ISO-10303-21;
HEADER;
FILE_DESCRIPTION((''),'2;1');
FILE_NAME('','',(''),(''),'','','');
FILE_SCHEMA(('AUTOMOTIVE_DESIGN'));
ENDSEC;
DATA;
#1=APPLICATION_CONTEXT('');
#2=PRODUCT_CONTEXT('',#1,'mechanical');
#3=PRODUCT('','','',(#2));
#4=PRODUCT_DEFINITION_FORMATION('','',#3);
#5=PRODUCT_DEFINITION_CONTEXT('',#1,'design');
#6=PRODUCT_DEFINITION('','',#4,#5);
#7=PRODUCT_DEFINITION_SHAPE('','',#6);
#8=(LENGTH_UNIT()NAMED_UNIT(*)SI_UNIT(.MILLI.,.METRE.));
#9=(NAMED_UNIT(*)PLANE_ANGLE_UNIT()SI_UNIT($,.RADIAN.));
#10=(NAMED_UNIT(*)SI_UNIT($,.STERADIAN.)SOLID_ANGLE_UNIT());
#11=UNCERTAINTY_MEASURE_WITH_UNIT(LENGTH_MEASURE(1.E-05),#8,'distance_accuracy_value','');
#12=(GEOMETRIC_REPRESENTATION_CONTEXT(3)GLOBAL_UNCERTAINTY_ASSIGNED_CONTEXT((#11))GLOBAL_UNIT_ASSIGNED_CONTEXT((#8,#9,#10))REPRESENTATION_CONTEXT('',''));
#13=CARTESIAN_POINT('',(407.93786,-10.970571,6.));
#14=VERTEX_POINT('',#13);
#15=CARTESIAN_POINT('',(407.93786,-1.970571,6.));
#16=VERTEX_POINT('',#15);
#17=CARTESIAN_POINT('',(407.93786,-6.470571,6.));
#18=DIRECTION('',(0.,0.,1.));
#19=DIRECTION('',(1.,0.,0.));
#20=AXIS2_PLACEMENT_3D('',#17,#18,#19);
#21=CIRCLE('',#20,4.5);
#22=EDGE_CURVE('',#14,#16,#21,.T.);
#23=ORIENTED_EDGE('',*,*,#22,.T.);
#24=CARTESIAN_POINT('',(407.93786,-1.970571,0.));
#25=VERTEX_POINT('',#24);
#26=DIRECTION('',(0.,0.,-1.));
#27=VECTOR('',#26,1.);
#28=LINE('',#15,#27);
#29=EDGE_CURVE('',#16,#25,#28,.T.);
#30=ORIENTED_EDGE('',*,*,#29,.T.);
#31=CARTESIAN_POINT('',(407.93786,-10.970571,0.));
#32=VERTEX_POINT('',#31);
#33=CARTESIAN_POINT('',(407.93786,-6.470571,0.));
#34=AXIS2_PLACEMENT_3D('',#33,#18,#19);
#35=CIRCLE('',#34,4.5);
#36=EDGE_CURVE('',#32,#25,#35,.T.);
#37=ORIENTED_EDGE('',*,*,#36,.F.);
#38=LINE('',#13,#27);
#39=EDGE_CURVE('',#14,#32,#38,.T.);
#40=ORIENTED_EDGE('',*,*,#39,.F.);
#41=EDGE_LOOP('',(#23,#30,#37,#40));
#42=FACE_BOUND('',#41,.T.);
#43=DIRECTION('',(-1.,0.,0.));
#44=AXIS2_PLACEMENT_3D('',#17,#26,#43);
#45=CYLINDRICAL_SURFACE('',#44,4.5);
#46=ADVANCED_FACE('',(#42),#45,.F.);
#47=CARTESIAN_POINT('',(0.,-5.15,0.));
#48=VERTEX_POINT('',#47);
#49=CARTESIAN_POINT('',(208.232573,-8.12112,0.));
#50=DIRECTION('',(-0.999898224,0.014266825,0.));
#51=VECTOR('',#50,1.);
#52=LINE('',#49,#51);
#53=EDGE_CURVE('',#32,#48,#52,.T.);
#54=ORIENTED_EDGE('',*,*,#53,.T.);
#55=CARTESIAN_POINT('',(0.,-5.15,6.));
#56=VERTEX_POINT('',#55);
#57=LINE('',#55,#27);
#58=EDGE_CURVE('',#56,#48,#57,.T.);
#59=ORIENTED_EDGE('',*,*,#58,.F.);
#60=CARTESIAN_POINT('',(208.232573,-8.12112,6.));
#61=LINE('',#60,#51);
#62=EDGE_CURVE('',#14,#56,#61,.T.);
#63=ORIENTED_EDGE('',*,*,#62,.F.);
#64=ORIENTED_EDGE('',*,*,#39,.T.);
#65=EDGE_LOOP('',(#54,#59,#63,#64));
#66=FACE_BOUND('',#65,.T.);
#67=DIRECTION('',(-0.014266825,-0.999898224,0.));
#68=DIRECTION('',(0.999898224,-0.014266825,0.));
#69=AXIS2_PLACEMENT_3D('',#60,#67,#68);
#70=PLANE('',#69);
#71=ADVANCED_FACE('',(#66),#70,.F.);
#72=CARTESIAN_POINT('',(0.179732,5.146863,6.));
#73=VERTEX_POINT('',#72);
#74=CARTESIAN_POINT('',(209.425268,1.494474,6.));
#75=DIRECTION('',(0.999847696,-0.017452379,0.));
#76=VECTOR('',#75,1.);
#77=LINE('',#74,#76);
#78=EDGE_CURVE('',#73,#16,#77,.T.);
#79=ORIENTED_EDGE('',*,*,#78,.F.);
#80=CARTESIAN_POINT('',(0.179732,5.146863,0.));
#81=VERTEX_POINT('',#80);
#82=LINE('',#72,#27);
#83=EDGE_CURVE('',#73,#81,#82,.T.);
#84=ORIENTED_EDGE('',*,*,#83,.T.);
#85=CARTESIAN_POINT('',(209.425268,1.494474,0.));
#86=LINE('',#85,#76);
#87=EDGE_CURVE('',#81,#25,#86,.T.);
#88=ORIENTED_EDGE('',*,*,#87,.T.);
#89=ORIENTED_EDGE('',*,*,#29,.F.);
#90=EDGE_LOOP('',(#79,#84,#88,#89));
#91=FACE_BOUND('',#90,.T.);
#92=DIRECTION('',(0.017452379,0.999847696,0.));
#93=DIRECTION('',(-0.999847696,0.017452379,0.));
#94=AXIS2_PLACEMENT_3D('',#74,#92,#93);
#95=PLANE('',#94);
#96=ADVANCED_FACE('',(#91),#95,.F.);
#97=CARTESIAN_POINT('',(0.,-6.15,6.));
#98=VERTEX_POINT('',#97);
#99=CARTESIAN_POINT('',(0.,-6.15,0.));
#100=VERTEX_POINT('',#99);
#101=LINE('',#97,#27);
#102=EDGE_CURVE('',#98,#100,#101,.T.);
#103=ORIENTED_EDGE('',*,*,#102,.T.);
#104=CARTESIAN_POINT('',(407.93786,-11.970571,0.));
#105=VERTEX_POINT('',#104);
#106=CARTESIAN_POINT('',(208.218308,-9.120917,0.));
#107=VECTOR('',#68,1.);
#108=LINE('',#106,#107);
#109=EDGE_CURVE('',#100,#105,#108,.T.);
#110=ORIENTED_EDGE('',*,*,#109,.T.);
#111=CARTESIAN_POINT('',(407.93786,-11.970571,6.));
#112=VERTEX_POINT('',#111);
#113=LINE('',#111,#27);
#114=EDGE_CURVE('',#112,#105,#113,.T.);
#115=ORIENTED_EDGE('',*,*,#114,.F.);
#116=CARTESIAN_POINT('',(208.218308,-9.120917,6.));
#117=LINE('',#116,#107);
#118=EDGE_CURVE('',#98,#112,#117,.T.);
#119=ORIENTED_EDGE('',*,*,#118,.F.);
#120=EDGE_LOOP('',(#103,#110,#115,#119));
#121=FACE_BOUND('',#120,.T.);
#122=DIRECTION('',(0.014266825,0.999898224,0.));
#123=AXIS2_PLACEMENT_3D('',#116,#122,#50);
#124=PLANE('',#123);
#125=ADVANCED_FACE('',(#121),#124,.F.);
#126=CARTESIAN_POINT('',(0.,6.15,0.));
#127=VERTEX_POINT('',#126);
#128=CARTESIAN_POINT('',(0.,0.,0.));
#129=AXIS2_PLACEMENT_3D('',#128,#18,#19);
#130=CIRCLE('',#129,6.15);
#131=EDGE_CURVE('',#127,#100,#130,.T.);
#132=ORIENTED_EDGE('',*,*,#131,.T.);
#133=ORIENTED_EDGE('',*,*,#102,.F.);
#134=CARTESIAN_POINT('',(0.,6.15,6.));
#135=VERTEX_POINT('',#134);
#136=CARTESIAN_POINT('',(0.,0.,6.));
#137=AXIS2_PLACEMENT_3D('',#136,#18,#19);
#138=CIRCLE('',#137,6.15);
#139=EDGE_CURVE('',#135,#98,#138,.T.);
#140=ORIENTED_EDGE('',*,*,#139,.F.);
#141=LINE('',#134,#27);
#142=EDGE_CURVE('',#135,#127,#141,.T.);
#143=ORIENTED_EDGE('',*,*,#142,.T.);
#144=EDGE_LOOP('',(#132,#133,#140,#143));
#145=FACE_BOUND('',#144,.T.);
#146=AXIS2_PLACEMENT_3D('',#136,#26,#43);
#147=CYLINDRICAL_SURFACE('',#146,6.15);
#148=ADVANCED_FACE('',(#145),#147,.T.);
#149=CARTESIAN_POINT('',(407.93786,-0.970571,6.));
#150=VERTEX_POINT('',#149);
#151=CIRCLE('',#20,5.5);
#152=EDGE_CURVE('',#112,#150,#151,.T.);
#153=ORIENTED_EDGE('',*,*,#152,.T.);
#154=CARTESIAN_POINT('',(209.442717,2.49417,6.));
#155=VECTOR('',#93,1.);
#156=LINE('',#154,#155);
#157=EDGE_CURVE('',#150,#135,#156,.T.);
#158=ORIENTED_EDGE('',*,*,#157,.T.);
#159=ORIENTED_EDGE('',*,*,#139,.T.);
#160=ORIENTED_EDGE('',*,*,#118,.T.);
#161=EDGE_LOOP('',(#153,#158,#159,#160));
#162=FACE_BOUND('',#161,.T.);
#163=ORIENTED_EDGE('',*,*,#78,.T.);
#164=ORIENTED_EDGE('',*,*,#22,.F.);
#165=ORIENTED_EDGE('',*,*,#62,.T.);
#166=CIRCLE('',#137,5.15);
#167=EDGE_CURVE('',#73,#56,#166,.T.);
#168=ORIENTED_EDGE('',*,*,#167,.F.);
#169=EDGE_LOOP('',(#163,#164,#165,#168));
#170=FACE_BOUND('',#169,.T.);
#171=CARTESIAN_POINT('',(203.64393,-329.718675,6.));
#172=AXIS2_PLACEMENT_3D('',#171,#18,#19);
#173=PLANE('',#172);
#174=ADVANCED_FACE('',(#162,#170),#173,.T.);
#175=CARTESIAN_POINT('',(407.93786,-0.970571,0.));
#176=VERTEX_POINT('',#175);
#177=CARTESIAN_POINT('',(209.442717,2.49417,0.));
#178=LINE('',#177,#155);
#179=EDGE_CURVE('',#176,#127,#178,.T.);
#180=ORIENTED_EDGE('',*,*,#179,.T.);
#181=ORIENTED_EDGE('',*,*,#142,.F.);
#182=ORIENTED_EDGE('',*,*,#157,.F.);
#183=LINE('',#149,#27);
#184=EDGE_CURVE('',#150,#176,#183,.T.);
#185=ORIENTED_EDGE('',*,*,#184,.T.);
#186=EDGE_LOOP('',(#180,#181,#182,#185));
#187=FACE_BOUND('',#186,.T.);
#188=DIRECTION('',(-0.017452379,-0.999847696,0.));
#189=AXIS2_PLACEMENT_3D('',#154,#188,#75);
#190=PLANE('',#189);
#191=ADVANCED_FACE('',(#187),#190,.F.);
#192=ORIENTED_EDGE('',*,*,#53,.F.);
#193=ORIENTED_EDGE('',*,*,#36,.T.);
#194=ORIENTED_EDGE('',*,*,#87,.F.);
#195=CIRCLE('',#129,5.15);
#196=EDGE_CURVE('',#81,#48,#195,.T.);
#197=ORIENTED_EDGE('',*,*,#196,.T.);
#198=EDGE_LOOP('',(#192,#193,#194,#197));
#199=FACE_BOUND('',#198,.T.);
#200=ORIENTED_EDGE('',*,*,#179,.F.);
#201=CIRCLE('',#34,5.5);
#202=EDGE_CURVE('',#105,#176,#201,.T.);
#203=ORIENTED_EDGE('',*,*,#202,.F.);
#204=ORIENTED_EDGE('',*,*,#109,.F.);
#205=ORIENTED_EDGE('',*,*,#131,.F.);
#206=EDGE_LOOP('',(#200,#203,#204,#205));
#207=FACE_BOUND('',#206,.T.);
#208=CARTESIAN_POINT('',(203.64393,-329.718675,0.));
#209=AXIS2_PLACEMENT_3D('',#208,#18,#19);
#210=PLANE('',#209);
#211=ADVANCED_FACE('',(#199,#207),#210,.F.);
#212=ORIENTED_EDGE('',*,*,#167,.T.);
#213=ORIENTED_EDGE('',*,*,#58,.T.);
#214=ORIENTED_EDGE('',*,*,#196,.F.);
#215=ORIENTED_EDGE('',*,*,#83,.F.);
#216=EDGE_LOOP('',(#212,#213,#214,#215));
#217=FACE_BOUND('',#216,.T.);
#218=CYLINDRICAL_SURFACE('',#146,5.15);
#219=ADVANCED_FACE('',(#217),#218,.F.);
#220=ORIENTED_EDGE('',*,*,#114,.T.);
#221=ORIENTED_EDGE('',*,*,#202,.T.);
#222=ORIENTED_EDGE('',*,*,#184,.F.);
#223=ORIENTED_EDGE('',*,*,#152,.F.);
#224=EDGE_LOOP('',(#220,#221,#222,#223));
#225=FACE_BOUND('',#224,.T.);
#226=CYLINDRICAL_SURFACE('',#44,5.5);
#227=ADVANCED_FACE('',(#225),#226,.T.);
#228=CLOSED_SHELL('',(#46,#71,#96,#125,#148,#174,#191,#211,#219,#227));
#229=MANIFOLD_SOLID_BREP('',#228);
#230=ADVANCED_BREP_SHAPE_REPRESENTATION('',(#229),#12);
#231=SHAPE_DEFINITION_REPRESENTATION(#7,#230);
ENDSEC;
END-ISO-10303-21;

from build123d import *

# Parameters (mm, degrees)
BOSS_EXTRUDE1_DEPTH = 6


with BuildPart() as part:
    # Sketch1 → Boss-Extrude1 (new body)
    with BuildSketch(Plane.XY):
        with BuildLine():
            ThreePointArc((407.937859821, -11.970570506), (413.437859821, -6.470570506), (407.937859821, -0.970570506))
            Line((407.937859821, -0.970570506), (0.214631564, 6.146253598))
            Line((0.214631564, 6.146253598), (0, 6.15))
            ThreePointArc((0, 6.15), (-6.15, 0), (0, -6.15))
            Line((0, -6.15), (407.780940717, -11.968331541))
            Line((407.780940717, -11.968331541), (407.937859821, -11.970570506))
        make_face()
        with BuildLine():
            ThreePointArc((0, -5.15), (-5.15, 0), (0, 5.15))
            ThreePointArc((0, 5.15), (0.08987975, 5.149215633), (0.179732122, 5.146862769))
            Line((0.179732122, 5.146862769), (407.937859821, -1.970570506))
            ThreePointArc((407.937859821, -1.970570506), (412.437859821, -6.470570506), (407.937859821, -10.970570506))
            Line((407.937859821, -10.970570506), (0, -5.15))
        make_face(mode=Mode.SUBTRACT)
    extrude(amount=BOSS_EXTRUDE1_DEPTH)


solid = part.part
